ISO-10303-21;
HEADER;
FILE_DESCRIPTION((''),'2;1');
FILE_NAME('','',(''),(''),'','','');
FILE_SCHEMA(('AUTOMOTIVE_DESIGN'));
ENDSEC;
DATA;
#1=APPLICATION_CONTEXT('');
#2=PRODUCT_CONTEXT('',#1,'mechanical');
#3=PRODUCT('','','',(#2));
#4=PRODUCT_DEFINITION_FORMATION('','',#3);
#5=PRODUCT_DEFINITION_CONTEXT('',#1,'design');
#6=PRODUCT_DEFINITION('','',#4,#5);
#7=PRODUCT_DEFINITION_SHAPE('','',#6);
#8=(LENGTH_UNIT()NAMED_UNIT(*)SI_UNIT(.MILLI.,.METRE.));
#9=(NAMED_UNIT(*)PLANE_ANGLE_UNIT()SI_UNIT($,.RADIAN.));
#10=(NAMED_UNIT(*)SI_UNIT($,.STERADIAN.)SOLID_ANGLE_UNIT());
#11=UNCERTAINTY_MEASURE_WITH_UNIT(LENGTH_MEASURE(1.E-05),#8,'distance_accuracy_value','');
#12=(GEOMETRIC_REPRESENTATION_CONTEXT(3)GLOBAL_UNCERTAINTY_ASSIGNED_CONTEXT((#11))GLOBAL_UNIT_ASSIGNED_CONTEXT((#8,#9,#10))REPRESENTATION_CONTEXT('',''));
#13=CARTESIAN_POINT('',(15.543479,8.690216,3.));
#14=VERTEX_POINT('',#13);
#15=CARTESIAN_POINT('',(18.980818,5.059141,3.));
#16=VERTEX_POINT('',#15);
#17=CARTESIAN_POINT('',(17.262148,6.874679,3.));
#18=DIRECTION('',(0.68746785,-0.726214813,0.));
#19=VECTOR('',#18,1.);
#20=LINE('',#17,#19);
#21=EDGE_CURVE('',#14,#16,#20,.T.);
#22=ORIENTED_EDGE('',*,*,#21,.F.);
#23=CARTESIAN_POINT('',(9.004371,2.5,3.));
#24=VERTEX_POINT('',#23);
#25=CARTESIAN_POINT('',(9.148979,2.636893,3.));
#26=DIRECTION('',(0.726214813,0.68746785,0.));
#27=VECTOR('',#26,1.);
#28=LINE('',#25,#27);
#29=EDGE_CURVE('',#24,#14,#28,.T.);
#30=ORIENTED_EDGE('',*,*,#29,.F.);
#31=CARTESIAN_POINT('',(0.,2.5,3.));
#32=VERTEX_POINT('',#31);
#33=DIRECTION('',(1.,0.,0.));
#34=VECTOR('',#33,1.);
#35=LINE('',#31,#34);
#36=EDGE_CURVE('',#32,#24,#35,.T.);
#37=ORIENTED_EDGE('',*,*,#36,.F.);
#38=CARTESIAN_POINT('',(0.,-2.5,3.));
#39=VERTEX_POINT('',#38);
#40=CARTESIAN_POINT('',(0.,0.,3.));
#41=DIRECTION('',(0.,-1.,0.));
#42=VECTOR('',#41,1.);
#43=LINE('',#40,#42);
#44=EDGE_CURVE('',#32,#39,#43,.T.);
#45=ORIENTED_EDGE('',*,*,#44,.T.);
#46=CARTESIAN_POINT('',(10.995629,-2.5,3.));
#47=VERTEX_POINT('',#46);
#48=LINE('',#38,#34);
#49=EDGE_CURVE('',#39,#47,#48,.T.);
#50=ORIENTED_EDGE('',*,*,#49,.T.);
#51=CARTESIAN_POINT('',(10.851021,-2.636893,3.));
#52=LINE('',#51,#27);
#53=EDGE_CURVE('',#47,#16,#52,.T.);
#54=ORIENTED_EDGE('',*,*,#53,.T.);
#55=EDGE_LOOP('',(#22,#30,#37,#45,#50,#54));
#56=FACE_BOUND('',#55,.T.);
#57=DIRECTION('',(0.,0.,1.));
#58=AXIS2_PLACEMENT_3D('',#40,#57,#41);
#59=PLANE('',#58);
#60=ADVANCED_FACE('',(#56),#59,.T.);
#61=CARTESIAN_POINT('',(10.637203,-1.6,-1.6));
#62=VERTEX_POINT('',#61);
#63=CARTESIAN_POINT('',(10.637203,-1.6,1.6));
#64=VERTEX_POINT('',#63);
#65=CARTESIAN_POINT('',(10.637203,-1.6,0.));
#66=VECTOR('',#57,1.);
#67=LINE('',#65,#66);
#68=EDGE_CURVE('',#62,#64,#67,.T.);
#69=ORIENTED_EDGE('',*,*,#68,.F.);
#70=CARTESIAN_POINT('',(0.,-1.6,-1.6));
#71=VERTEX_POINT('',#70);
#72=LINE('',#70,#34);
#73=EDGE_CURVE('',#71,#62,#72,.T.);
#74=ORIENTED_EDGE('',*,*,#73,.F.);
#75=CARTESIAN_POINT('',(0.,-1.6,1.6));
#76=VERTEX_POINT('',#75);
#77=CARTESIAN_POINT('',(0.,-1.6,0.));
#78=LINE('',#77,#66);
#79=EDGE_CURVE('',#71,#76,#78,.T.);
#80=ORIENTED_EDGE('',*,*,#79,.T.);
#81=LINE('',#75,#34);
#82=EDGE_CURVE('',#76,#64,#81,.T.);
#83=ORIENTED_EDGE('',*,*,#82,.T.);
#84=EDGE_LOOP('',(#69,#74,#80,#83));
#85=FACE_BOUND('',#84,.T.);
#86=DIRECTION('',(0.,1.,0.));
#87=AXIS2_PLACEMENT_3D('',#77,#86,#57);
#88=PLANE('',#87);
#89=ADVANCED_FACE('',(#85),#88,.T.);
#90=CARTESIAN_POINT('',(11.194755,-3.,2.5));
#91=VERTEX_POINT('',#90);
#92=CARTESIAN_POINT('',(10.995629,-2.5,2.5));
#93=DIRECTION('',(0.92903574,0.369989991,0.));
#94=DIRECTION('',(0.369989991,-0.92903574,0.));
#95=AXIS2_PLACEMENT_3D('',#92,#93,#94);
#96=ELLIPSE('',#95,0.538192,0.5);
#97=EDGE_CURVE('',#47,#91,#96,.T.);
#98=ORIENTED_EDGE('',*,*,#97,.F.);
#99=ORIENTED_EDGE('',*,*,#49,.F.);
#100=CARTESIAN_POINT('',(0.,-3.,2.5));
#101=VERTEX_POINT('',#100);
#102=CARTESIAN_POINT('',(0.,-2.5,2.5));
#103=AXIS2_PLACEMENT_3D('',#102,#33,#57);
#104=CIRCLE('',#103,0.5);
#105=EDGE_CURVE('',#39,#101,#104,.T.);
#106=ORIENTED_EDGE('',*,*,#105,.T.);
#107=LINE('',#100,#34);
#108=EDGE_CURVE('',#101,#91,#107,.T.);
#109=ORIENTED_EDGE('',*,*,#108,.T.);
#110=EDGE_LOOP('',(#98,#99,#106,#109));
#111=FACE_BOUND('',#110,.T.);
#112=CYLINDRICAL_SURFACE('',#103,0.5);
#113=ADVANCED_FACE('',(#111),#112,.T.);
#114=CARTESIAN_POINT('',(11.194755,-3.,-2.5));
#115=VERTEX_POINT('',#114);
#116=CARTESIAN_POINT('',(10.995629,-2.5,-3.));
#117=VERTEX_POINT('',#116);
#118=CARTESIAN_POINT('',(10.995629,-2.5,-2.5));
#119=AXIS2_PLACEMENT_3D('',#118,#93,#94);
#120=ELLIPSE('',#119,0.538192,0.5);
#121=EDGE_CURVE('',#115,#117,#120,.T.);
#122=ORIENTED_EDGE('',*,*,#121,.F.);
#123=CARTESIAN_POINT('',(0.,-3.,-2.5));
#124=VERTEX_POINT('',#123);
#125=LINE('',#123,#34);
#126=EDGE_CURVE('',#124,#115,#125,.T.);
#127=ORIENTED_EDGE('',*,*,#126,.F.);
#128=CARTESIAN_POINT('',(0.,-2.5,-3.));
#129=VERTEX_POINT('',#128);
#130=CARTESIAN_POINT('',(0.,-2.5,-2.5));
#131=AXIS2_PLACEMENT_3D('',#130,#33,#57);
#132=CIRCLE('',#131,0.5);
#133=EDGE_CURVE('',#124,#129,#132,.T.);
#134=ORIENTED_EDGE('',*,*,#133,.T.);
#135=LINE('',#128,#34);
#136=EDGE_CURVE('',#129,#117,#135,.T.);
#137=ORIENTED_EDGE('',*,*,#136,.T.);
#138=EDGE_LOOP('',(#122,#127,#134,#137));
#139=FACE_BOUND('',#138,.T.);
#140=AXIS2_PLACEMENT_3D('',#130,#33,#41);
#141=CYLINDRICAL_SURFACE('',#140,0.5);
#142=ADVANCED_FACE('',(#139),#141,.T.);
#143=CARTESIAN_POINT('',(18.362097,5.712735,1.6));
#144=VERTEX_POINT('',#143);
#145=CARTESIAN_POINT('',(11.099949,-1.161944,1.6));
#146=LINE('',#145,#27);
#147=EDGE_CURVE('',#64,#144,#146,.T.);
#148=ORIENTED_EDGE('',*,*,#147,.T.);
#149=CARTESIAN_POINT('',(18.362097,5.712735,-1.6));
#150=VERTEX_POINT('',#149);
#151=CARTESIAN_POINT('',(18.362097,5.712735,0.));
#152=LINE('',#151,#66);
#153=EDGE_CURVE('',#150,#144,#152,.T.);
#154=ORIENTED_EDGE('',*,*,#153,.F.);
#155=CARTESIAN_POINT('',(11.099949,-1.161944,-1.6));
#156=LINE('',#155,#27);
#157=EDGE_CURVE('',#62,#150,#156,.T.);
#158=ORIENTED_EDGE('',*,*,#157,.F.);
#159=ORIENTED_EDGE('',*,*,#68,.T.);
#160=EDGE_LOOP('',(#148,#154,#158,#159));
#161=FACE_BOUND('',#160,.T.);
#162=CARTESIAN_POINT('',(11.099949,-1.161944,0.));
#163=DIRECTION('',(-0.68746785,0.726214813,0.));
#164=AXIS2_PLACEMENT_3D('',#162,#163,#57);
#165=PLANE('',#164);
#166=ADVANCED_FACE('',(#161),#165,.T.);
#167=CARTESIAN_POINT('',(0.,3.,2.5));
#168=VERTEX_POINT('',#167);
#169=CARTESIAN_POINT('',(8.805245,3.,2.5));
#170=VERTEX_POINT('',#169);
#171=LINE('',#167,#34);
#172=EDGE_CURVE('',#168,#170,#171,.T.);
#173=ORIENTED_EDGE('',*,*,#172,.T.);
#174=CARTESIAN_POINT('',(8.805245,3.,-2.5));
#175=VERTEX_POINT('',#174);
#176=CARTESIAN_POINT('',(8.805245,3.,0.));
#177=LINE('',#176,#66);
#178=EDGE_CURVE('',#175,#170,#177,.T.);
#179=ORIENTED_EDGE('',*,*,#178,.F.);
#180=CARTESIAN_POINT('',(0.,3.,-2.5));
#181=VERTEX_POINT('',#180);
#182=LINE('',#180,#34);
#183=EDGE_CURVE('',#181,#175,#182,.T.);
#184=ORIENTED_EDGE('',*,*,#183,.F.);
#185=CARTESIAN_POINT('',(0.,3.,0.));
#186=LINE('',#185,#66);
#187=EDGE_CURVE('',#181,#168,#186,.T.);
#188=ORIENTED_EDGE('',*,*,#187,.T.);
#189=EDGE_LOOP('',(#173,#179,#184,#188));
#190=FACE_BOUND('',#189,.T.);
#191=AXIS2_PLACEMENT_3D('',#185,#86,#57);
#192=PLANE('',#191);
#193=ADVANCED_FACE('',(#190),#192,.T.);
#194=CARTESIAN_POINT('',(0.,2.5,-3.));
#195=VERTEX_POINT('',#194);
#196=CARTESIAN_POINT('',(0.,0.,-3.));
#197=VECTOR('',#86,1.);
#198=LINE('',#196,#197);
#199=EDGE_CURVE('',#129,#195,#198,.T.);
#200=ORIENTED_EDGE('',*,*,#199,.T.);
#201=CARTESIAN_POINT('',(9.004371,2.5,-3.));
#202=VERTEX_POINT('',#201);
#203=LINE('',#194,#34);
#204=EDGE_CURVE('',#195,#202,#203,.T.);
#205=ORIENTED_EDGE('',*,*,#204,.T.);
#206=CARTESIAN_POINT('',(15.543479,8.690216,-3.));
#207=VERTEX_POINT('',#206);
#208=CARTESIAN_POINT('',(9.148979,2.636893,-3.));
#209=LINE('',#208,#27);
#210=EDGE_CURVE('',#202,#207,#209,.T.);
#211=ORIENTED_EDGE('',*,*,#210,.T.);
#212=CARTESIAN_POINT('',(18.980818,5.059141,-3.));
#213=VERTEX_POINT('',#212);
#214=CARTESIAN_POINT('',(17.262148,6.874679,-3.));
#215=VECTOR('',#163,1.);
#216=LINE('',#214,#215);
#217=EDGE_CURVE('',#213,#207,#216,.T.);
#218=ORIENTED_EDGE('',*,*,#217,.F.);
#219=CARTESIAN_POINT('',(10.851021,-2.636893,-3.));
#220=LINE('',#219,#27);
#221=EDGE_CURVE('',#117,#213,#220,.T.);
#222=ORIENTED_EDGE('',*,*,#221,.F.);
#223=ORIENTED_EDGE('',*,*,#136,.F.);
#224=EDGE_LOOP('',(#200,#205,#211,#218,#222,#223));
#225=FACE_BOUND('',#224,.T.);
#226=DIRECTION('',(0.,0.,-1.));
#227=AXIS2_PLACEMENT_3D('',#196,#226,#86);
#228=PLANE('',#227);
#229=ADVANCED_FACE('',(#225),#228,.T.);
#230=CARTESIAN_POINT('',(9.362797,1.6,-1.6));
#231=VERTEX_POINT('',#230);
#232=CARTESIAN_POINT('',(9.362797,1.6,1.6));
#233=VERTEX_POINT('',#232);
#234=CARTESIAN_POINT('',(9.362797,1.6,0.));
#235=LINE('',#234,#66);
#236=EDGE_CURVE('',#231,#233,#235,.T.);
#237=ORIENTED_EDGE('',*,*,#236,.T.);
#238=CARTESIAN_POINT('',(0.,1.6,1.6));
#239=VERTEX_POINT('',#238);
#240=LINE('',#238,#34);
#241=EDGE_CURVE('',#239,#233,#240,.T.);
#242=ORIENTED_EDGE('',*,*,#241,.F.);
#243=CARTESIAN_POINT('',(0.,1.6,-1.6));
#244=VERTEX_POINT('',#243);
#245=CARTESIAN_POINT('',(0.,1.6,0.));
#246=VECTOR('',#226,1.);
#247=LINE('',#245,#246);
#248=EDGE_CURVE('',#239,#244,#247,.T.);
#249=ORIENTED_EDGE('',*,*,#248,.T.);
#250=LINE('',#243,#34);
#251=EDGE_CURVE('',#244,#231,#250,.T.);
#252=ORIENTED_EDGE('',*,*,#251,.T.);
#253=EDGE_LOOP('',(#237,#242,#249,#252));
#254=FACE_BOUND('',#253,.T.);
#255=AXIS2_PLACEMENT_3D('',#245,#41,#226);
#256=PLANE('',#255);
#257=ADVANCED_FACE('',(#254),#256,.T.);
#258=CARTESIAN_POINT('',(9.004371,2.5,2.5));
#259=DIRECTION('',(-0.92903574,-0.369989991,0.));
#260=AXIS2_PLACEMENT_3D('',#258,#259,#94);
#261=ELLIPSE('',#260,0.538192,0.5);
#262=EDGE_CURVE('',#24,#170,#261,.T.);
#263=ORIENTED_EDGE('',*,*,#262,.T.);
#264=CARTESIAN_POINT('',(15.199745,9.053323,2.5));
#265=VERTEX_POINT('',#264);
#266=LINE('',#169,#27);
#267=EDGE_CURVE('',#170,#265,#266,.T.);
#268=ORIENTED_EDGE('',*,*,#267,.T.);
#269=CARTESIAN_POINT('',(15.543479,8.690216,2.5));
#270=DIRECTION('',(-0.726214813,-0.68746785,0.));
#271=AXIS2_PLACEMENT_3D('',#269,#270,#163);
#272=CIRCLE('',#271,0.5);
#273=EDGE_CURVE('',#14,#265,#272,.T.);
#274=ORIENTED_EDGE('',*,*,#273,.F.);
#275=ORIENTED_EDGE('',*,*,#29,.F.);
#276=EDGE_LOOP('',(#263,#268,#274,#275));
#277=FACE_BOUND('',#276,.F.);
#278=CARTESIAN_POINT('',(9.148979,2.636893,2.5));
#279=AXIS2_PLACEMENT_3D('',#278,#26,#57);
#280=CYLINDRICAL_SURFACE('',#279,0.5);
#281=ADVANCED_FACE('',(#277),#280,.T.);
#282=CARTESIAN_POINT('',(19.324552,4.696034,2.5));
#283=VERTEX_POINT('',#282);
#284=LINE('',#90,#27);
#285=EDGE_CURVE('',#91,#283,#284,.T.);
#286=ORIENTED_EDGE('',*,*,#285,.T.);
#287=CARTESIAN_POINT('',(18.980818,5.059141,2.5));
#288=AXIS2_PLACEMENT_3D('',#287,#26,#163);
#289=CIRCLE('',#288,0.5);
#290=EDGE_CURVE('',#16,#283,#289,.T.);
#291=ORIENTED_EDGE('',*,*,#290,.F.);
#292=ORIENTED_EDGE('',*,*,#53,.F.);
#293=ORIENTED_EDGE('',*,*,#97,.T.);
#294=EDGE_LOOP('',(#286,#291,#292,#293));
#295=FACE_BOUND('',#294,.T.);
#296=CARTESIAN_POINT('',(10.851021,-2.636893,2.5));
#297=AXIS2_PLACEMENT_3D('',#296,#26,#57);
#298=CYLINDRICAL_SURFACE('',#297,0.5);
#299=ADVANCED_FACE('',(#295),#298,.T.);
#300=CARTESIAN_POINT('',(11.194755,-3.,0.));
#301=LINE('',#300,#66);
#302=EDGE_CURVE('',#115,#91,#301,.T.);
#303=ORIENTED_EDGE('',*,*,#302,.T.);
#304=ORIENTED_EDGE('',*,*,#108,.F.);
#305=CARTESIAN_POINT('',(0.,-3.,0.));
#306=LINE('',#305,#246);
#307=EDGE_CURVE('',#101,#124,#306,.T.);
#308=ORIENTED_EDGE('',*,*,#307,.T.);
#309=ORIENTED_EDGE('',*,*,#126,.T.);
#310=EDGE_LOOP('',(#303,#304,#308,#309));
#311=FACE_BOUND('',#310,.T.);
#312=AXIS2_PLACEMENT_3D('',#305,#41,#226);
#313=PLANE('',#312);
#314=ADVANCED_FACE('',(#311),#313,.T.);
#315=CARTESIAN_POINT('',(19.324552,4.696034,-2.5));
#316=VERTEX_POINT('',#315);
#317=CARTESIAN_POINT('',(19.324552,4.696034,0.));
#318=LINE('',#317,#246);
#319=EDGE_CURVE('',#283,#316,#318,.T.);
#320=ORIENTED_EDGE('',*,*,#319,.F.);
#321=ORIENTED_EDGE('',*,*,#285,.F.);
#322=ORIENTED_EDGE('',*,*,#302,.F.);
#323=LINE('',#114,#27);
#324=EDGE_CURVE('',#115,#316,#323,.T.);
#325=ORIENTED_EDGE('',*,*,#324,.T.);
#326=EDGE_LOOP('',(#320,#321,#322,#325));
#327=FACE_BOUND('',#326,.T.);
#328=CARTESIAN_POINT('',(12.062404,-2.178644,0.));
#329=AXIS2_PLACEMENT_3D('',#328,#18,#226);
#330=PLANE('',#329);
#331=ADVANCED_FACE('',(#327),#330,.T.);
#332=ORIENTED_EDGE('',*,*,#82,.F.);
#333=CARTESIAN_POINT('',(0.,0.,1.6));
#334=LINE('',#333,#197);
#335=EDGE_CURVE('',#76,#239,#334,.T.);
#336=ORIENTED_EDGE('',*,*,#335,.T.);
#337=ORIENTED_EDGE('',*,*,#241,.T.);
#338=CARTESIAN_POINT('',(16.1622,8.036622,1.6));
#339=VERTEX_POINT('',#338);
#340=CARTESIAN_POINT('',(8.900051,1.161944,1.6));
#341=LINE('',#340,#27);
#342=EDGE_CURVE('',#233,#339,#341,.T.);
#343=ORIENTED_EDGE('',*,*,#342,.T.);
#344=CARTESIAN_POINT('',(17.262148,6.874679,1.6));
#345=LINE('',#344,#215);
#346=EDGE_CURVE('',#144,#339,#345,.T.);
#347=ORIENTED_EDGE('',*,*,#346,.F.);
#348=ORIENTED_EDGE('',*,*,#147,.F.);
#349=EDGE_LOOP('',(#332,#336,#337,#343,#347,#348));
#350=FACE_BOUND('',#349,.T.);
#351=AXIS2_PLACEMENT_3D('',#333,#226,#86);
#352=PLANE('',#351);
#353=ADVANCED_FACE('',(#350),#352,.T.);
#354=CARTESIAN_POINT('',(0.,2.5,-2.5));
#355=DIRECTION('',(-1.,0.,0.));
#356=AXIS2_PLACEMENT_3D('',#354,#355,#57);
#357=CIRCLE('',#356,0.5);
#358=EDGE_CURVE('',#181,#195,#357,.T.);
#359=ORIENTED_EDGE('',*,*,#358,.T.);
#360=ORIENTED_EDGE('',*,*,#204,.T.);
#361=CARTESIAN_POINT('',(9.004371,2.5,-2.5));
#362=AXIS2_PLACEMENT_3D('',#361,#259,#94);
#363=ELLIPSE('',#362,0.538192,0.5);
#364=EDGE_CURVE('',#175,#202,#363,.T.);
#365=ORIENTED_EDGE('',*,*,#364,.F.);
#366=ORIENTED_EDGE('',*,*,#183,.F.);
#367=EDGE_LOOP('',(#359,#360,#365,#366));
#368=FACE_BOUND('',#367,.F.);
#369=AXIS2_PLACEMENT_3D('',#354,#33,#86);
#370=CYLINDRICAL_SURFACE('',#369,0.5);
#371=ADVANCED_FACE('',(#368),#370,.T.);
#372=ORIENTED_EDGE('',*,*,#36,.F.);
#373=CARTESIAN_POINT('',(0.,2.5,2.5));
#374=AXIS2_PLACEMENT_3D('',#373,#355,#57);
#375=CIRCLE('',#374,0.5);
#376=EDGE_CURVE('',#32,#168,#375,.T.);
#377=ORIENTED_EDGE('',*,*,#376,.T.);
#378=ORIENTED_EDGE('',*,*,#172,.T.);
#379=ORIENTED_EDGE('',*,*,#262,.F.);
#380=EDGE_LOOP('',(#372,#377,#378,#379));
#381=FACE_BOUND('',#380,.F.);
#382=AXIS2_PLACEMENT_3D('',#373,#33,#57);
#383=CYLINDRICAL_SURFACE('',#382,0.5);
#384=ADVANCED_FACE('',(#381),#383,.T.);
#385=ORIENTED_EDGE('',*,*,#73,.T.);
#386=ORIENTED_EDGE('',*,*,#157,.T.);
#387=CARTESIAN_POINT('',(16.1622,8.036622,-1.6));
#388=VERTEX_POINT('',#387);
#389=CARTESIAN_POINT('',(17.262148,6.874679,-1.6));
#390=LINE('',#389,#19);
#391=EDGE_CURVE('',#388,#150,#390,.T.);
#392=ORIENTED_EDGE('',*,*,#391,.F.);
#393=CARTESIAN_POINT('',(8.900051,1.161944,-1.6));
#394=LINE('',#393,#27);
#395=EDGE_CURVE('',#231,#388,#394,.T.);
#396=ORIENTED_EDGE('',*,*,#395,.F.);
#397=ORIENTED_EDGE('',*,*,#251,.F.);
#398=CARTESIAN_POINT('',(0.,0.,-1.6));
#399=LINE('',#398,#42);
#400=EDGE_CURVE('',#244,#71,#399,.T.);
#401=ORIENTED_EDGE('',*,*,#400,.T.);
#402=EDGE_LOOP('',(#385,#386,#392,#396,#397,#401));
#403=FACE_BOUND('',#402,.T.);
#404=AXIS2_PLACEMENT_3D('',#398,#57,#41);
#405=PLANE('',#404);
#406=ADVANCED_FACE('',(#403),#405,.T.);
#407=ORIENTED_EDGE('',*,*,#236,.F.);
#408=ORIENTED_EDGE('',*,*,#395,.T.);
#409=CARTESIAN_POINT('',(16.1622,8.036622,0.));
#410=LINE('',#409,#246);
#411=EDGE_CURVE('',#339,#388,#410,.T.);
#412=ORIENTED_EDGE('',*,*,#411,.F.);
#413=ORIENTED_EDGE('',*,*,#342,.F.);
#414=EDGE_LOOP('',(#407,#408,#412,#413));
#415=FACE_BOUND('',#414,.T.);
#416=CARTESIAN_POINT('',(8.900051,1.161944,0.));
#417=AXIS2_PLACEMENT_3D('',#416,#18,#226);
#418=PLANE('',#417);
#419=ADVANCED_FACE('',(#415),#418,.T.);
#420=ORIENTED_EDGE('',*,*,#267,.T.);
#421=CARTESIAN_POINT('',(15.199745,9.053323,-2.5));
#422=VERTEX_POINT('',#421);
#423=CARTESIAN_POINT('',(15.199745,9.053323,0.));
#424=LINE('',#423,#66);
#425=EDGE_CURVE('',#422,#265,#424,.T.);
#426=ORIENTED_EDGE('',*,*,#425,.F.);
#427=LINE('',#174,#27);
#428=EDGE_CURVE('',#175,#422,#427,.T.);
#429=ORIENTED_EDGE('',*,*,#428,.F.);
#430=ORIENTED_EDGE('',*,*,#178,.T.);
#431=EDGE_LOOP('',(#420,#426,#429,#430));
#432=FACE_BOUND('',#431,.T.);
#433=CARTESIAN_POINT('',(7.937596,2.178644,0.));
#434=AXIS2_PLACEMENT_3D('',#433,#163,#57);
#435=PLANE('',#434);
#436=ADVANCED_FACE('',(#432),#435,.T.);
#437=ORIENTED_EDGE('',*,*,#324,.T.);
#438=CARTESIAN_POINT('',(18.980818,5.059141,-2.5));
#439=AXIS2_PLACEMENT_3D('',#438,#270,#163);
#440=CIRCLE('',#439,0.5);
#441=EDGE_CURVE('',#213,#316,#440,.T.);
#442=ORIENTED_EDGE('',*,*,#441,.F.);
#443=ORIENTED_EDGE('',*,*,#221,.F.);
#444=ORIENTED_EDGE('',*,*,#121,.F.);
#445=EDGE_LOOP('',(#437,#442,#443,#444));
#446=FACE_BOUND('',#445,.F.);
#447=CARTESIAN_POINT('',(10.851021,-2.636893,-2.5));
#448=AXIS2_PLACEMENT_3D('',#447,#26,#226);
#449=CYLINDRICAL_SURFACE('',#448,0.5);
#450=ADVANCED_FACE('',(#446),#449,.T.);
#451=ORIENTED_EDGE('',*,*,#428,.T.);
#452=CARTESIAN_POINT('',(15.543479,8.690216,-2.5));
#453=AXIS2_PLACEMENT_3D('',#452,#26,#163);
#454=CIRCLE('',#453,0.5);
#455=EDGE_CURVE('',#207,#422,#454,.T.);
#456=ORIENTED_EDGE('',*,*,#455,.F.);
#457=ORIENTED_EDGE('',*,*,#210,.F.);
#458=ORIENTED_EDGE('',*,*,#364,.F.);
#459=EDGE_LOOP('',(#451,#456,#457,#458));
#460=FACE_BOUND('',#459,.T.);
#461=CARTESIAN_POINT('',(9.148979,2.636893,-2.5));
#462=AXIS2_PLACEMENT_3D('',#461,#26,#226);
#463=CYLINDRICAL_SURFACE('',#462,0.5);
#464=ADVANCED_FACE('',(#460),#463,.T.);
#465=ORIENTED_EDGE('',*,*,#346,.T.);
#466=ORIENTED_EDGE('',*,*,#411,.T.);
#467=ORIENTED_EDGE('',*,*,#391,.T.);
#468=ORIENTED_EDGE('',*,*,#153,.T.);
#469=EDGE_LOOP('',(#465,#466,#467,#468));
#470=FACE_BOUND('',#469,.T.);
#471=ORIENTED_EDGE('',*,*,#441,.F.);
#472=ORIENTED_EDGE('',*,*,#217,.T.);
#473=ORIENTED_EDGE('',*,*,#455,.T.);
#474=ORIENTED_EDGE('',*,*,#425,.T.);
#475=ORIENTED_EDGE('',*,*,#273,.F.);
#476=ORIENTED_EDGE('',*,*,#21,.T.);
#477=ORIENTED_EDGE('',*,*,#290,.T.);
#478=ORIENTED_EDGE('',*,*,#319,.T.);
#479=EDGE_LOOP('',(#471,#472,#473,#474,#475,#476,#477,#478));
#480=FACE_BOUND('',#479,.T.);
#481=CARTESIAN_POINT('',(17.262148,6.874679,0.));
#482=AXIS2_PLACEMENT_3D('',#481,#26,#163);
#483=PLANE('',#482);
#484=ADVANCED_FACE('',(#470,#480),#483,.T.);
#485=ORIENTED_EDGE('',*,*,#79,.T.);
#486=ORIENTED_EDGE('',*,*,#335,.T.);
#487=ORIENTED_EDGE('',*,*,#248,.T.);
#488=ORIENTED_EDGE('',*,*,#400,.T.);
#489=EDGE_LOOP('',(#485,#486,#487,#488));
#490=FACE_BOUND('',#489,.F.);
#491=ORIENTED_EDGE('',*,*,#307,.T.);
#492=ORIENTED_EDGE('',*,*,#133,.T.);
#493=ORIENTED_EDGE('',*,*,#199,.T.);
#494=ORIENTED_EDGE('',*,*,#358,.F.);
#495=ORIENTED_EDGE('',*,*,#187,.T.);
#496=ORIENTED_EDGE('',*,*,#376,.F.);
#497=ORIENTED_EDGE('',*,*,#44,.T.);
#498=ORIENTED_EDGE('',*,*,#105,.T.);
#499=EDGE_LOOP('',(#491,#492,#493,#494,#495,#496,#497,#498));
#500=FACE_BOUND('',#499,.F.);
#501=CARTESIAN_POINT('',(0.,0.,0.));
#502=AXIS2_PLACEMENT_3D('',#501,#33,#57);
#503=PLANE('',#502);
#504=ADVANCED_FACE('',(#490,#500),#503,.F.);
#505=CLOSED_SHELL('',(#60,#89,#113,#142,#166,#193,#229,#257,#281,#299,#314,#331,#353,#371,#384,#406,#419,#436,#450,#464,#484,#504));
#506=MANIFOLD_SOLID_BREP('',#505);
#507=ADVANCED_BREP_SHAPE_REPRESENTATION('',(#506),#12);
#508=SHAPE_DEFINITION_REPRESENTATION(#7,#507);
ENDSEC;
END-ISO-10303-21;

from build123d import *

# Parameters (mm, degrees)
SKETCH3_W   = 6
SKETCH3_H   = 6
SKETCH3_W_2 = 3.2
SKETCH3_H_2 = 3.2
FILLET1_R   = 0.5


with BuildPart() as part:
    # Sweep1: sweep along a path in Sketch2
    with BuildLine(Plane.XY) as sweep1_path:
        Line((0, 0), (10, 0))
        Line((10, 0), (17.262148132, 6.874678502))
    # Sketch3 → Sweep1 (sweep)
    with BuildSketch(Plane(origin=(0, 0, 0), x_dir=(0, 0, -1), z_dir=(1, 0, 0))):
        Rectangle(SKETCH3_W, SKETCH3_H)
        Rectangle(SKETCH3_W_2, SKETCH3_H_2, mode=Mode.SUBTRACT)
    sweep(path=sweep1_path.line, transition=Transition.RIGHT)

    # Fillet1
    fillet1_edges = [part.edges().sort_by_distance(p)[0] for p in [
        (5.597377434, -3, 3),
        (4.402622566, 3, 3),
        (4.402622566, 3, -3),
        (5.597377434, -3, -3),
        (15.259653275, 0.848017031, -3),
        (12.002494857, 6.026661471, -3),
        (12.002494857, 6.026661471, 3),
        (15.259653275, 0.848017031, 3),
    ]]
    fillet(fillet1_edges, radius=FILLET1_R)


solid = part.part
